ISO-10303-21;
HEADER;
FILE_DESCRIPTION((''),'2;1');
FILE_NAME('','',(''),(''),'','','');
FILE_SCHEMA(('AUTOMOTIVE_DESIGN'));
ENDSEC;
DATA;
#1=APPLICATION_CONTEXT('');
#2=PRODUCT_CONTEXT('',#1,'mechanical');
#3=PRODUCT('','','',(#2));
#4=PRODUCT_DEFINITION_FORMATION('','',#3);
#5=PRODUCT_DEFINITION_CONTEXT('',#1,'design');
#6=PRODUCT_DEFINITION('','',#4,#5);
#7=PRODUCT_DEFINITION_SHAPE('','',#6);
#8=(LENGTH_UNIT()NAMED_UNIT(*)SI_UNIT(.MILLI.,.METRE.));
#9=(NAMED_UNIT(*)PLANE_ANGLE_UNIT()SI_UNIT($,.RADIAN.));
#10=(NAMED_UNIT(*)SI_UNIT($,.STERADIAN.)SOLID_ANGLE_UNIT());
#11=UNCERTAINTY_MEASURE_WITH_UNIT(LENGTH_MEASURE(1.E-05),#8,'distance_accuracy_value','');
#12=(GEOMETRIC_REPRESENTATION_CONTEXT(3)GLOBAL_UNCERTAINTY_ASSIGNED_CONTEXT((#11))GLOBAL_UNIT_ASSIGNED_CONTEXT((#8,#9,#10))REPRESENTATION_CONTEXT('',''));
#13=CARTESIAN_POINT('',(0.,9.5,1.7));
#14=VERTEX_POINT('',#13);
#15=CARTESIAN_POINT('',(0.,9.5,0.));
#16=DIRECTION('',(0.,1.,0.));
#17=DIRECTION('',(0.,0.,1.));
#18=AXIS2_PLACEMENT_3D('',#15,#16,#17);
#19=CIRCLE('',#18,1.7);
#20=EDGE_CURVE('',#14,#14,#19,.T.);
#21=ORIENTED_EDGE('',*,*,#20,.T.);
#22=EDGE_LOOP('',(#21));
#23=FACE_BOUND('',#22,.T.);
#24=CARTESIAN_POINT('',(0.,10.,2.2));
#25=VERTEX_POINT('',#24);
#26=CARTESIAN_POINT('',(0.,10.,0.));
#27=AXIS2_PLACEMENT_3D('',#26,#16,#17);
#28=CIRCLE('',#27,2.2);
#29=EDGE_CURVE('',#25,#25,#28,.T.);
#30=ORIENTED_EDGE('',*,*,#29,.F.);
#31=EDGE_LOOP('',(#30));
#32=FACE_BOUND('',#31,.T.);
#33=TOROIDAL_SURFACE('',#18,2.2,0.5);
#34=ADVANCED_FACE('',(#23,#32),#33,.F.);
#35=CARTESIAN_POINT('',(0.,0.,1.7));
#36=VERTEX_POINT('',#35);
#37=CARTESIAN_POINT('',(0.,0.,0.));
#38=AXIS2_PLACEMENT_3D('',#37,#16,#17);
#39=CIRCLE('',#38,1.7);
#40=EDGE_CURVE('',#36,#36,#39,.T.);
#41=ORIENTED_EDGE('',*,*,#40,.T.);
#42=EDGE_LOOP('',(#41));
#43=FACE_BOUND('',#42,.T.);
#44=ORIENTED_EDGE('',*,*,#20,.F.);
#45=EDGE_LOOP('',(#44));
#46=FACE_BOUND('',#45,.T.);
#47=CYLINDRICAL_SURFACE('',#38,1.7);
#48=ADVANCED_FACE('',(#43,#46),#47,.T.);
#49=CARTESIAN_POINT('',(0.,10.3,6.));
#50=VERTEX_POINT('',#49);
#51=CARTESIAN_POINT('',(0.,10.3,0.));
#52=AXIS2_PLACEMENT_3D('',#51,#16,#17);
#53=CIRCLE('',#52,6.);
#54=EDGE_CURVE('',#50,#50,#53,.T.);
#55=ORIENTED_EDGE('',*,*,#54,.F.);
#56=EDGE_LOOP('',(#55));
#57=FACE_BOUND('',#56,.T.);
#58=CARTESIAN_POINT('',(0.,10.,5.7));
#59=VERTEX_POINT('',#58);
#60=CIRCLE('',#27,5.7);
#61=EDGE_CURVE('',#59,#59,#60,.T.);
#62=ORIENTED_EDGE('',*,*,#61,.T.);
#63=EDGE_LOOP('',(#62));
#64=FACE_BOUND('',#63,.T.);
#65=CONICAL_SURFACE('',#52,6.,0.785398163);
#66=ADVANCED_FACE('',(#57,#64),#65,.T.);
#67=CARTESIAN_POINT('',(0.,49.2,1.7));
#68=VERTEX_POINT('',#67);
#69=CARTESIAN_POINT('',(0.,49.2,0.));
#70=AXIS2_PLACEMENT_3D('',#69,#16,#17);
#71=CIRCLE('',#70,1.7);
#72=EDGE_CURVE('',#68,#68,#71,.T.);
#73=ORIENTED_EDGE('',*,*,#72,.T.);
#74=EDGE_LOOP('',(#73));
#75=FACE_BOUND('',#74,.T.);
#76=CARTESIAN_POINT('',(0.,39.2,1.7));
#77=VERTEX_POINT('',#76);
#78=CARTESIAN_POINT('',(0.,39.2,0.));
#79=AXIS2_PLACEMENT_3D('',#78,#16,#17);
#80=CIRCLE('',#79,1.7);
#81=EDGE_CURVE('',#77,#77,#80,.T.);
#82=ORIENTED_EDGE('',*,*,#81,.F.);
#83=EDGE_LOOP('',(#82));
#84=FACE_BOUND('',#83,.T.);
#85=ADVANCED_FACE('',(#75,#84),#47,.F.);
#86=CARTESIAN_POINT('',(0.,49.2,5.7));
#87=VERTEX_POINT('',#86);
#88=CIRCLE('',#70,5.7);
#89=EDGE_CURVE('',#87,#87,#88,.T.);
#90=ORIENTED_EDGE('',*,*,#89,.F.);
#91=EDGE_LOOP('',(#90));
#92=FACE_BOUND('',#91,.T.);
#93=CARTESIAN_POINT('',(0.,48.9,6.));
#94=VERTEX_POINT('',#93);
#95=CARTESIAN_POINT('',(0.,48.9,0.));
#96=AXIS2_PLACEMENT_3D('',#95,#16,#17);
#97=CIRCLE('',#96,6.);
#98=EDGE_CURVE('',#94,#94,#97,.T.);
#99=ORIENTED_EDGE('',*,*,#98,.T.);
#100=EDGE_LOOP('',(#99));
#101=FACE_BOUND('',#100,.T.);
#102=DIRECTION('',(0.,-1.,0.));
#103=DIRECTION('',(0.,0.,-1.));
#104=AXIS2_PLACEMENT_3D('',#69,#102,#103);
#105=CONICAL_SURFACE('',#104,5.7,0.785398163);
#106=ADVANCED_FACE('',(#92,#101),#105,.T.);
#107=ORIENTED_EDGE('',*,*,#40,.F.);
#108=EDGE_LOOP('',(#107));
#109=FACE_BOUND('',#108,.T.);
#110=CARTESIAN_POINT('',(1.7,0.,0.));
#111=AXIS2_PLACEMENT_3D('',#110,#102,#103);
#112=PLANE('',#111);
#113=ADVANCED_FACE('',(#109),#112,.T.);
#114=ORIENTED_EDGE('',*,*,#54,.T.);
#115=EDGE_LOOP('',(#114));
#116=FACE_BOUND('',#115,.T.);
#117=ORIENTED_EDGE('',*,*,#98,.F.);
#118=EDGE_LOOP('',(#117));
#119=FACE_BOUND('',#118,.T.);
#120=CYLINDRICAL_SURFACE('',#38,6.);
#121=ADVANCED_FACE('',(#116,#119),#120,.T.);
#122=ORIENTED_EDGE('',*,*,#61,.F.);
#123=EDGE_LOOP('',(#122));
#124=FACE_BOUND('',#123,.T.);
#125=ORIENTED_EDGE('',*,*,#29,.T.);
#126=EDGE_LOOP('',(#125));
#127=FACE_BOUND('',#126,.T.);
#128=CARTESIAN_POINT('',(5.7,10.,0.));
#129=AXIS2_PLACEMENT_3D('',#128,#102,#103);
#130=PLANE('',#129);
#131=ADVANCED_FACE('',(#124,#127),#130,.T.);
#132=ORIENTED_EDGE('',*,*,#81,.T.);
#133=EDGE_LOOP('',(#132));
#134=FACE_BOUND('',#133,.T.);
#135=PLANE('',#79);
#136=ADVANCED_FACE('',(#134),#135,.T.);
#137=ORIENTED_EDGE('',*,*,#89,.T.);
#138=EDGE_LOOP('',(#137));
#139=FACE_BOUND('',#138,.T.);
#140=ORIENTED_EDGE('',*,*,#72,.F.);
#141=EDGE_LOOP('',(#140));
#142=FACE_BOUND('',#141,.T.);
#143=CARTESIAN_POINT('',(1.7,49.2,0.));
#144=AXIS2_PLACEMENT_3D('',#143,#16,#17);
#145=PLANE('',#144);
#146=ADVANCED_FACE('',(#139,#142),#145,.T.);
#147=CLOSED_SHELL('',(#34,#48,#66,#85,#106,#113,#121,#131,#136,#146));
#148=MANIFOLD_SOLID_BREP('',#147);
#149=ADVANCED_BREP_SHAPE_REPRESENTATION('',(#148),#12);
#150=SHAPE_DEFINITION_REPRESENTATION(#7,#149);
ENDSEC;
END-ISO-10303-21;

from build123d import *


with BuildPart() as part:
    # Esboço1 → Revolução1 (revolve)
    with BuildSketch(Plane(origin=(0, 0, 0), x_dir=(-1, 0, 0), z_dir=(0, 0, -1)), mode=Mode.PRIVATE) as revolu_o1_sk:
        with BuildLine():
            Line((-1.7, 0), (0, 0))
            Line((0, 0), (0, 39.2))
            Line((0, 39.2), (-1.7, 39.2))
            Line((-1.7, 39.2), (-1.7, 49.2))
            Line((-1.7, 49.2), (-5.7, 49.2))
            Line((-5.7, 49.2), (-6, 48.9))
            Line((-6, 48.9), (-6, 10.3))
            Line((-6, 10.3), (-5.7, 10))
            Line((-5.7, 10), (-2.2, 10))
            ThreePointArc((-2.2, 10), (-1.846446609, 9.853553391), (-1.7, 9.5))
            Line((-1.7, 9.5), (-1.7, 0))
        make_face()
    revolve(revolu_o1_sk.sketch.rotate(Axis((0, 0, 0), (0, 1, 0)), 270), axis=Axis((0, 0, 0), (0, 1, 0)))


solid = part.part
